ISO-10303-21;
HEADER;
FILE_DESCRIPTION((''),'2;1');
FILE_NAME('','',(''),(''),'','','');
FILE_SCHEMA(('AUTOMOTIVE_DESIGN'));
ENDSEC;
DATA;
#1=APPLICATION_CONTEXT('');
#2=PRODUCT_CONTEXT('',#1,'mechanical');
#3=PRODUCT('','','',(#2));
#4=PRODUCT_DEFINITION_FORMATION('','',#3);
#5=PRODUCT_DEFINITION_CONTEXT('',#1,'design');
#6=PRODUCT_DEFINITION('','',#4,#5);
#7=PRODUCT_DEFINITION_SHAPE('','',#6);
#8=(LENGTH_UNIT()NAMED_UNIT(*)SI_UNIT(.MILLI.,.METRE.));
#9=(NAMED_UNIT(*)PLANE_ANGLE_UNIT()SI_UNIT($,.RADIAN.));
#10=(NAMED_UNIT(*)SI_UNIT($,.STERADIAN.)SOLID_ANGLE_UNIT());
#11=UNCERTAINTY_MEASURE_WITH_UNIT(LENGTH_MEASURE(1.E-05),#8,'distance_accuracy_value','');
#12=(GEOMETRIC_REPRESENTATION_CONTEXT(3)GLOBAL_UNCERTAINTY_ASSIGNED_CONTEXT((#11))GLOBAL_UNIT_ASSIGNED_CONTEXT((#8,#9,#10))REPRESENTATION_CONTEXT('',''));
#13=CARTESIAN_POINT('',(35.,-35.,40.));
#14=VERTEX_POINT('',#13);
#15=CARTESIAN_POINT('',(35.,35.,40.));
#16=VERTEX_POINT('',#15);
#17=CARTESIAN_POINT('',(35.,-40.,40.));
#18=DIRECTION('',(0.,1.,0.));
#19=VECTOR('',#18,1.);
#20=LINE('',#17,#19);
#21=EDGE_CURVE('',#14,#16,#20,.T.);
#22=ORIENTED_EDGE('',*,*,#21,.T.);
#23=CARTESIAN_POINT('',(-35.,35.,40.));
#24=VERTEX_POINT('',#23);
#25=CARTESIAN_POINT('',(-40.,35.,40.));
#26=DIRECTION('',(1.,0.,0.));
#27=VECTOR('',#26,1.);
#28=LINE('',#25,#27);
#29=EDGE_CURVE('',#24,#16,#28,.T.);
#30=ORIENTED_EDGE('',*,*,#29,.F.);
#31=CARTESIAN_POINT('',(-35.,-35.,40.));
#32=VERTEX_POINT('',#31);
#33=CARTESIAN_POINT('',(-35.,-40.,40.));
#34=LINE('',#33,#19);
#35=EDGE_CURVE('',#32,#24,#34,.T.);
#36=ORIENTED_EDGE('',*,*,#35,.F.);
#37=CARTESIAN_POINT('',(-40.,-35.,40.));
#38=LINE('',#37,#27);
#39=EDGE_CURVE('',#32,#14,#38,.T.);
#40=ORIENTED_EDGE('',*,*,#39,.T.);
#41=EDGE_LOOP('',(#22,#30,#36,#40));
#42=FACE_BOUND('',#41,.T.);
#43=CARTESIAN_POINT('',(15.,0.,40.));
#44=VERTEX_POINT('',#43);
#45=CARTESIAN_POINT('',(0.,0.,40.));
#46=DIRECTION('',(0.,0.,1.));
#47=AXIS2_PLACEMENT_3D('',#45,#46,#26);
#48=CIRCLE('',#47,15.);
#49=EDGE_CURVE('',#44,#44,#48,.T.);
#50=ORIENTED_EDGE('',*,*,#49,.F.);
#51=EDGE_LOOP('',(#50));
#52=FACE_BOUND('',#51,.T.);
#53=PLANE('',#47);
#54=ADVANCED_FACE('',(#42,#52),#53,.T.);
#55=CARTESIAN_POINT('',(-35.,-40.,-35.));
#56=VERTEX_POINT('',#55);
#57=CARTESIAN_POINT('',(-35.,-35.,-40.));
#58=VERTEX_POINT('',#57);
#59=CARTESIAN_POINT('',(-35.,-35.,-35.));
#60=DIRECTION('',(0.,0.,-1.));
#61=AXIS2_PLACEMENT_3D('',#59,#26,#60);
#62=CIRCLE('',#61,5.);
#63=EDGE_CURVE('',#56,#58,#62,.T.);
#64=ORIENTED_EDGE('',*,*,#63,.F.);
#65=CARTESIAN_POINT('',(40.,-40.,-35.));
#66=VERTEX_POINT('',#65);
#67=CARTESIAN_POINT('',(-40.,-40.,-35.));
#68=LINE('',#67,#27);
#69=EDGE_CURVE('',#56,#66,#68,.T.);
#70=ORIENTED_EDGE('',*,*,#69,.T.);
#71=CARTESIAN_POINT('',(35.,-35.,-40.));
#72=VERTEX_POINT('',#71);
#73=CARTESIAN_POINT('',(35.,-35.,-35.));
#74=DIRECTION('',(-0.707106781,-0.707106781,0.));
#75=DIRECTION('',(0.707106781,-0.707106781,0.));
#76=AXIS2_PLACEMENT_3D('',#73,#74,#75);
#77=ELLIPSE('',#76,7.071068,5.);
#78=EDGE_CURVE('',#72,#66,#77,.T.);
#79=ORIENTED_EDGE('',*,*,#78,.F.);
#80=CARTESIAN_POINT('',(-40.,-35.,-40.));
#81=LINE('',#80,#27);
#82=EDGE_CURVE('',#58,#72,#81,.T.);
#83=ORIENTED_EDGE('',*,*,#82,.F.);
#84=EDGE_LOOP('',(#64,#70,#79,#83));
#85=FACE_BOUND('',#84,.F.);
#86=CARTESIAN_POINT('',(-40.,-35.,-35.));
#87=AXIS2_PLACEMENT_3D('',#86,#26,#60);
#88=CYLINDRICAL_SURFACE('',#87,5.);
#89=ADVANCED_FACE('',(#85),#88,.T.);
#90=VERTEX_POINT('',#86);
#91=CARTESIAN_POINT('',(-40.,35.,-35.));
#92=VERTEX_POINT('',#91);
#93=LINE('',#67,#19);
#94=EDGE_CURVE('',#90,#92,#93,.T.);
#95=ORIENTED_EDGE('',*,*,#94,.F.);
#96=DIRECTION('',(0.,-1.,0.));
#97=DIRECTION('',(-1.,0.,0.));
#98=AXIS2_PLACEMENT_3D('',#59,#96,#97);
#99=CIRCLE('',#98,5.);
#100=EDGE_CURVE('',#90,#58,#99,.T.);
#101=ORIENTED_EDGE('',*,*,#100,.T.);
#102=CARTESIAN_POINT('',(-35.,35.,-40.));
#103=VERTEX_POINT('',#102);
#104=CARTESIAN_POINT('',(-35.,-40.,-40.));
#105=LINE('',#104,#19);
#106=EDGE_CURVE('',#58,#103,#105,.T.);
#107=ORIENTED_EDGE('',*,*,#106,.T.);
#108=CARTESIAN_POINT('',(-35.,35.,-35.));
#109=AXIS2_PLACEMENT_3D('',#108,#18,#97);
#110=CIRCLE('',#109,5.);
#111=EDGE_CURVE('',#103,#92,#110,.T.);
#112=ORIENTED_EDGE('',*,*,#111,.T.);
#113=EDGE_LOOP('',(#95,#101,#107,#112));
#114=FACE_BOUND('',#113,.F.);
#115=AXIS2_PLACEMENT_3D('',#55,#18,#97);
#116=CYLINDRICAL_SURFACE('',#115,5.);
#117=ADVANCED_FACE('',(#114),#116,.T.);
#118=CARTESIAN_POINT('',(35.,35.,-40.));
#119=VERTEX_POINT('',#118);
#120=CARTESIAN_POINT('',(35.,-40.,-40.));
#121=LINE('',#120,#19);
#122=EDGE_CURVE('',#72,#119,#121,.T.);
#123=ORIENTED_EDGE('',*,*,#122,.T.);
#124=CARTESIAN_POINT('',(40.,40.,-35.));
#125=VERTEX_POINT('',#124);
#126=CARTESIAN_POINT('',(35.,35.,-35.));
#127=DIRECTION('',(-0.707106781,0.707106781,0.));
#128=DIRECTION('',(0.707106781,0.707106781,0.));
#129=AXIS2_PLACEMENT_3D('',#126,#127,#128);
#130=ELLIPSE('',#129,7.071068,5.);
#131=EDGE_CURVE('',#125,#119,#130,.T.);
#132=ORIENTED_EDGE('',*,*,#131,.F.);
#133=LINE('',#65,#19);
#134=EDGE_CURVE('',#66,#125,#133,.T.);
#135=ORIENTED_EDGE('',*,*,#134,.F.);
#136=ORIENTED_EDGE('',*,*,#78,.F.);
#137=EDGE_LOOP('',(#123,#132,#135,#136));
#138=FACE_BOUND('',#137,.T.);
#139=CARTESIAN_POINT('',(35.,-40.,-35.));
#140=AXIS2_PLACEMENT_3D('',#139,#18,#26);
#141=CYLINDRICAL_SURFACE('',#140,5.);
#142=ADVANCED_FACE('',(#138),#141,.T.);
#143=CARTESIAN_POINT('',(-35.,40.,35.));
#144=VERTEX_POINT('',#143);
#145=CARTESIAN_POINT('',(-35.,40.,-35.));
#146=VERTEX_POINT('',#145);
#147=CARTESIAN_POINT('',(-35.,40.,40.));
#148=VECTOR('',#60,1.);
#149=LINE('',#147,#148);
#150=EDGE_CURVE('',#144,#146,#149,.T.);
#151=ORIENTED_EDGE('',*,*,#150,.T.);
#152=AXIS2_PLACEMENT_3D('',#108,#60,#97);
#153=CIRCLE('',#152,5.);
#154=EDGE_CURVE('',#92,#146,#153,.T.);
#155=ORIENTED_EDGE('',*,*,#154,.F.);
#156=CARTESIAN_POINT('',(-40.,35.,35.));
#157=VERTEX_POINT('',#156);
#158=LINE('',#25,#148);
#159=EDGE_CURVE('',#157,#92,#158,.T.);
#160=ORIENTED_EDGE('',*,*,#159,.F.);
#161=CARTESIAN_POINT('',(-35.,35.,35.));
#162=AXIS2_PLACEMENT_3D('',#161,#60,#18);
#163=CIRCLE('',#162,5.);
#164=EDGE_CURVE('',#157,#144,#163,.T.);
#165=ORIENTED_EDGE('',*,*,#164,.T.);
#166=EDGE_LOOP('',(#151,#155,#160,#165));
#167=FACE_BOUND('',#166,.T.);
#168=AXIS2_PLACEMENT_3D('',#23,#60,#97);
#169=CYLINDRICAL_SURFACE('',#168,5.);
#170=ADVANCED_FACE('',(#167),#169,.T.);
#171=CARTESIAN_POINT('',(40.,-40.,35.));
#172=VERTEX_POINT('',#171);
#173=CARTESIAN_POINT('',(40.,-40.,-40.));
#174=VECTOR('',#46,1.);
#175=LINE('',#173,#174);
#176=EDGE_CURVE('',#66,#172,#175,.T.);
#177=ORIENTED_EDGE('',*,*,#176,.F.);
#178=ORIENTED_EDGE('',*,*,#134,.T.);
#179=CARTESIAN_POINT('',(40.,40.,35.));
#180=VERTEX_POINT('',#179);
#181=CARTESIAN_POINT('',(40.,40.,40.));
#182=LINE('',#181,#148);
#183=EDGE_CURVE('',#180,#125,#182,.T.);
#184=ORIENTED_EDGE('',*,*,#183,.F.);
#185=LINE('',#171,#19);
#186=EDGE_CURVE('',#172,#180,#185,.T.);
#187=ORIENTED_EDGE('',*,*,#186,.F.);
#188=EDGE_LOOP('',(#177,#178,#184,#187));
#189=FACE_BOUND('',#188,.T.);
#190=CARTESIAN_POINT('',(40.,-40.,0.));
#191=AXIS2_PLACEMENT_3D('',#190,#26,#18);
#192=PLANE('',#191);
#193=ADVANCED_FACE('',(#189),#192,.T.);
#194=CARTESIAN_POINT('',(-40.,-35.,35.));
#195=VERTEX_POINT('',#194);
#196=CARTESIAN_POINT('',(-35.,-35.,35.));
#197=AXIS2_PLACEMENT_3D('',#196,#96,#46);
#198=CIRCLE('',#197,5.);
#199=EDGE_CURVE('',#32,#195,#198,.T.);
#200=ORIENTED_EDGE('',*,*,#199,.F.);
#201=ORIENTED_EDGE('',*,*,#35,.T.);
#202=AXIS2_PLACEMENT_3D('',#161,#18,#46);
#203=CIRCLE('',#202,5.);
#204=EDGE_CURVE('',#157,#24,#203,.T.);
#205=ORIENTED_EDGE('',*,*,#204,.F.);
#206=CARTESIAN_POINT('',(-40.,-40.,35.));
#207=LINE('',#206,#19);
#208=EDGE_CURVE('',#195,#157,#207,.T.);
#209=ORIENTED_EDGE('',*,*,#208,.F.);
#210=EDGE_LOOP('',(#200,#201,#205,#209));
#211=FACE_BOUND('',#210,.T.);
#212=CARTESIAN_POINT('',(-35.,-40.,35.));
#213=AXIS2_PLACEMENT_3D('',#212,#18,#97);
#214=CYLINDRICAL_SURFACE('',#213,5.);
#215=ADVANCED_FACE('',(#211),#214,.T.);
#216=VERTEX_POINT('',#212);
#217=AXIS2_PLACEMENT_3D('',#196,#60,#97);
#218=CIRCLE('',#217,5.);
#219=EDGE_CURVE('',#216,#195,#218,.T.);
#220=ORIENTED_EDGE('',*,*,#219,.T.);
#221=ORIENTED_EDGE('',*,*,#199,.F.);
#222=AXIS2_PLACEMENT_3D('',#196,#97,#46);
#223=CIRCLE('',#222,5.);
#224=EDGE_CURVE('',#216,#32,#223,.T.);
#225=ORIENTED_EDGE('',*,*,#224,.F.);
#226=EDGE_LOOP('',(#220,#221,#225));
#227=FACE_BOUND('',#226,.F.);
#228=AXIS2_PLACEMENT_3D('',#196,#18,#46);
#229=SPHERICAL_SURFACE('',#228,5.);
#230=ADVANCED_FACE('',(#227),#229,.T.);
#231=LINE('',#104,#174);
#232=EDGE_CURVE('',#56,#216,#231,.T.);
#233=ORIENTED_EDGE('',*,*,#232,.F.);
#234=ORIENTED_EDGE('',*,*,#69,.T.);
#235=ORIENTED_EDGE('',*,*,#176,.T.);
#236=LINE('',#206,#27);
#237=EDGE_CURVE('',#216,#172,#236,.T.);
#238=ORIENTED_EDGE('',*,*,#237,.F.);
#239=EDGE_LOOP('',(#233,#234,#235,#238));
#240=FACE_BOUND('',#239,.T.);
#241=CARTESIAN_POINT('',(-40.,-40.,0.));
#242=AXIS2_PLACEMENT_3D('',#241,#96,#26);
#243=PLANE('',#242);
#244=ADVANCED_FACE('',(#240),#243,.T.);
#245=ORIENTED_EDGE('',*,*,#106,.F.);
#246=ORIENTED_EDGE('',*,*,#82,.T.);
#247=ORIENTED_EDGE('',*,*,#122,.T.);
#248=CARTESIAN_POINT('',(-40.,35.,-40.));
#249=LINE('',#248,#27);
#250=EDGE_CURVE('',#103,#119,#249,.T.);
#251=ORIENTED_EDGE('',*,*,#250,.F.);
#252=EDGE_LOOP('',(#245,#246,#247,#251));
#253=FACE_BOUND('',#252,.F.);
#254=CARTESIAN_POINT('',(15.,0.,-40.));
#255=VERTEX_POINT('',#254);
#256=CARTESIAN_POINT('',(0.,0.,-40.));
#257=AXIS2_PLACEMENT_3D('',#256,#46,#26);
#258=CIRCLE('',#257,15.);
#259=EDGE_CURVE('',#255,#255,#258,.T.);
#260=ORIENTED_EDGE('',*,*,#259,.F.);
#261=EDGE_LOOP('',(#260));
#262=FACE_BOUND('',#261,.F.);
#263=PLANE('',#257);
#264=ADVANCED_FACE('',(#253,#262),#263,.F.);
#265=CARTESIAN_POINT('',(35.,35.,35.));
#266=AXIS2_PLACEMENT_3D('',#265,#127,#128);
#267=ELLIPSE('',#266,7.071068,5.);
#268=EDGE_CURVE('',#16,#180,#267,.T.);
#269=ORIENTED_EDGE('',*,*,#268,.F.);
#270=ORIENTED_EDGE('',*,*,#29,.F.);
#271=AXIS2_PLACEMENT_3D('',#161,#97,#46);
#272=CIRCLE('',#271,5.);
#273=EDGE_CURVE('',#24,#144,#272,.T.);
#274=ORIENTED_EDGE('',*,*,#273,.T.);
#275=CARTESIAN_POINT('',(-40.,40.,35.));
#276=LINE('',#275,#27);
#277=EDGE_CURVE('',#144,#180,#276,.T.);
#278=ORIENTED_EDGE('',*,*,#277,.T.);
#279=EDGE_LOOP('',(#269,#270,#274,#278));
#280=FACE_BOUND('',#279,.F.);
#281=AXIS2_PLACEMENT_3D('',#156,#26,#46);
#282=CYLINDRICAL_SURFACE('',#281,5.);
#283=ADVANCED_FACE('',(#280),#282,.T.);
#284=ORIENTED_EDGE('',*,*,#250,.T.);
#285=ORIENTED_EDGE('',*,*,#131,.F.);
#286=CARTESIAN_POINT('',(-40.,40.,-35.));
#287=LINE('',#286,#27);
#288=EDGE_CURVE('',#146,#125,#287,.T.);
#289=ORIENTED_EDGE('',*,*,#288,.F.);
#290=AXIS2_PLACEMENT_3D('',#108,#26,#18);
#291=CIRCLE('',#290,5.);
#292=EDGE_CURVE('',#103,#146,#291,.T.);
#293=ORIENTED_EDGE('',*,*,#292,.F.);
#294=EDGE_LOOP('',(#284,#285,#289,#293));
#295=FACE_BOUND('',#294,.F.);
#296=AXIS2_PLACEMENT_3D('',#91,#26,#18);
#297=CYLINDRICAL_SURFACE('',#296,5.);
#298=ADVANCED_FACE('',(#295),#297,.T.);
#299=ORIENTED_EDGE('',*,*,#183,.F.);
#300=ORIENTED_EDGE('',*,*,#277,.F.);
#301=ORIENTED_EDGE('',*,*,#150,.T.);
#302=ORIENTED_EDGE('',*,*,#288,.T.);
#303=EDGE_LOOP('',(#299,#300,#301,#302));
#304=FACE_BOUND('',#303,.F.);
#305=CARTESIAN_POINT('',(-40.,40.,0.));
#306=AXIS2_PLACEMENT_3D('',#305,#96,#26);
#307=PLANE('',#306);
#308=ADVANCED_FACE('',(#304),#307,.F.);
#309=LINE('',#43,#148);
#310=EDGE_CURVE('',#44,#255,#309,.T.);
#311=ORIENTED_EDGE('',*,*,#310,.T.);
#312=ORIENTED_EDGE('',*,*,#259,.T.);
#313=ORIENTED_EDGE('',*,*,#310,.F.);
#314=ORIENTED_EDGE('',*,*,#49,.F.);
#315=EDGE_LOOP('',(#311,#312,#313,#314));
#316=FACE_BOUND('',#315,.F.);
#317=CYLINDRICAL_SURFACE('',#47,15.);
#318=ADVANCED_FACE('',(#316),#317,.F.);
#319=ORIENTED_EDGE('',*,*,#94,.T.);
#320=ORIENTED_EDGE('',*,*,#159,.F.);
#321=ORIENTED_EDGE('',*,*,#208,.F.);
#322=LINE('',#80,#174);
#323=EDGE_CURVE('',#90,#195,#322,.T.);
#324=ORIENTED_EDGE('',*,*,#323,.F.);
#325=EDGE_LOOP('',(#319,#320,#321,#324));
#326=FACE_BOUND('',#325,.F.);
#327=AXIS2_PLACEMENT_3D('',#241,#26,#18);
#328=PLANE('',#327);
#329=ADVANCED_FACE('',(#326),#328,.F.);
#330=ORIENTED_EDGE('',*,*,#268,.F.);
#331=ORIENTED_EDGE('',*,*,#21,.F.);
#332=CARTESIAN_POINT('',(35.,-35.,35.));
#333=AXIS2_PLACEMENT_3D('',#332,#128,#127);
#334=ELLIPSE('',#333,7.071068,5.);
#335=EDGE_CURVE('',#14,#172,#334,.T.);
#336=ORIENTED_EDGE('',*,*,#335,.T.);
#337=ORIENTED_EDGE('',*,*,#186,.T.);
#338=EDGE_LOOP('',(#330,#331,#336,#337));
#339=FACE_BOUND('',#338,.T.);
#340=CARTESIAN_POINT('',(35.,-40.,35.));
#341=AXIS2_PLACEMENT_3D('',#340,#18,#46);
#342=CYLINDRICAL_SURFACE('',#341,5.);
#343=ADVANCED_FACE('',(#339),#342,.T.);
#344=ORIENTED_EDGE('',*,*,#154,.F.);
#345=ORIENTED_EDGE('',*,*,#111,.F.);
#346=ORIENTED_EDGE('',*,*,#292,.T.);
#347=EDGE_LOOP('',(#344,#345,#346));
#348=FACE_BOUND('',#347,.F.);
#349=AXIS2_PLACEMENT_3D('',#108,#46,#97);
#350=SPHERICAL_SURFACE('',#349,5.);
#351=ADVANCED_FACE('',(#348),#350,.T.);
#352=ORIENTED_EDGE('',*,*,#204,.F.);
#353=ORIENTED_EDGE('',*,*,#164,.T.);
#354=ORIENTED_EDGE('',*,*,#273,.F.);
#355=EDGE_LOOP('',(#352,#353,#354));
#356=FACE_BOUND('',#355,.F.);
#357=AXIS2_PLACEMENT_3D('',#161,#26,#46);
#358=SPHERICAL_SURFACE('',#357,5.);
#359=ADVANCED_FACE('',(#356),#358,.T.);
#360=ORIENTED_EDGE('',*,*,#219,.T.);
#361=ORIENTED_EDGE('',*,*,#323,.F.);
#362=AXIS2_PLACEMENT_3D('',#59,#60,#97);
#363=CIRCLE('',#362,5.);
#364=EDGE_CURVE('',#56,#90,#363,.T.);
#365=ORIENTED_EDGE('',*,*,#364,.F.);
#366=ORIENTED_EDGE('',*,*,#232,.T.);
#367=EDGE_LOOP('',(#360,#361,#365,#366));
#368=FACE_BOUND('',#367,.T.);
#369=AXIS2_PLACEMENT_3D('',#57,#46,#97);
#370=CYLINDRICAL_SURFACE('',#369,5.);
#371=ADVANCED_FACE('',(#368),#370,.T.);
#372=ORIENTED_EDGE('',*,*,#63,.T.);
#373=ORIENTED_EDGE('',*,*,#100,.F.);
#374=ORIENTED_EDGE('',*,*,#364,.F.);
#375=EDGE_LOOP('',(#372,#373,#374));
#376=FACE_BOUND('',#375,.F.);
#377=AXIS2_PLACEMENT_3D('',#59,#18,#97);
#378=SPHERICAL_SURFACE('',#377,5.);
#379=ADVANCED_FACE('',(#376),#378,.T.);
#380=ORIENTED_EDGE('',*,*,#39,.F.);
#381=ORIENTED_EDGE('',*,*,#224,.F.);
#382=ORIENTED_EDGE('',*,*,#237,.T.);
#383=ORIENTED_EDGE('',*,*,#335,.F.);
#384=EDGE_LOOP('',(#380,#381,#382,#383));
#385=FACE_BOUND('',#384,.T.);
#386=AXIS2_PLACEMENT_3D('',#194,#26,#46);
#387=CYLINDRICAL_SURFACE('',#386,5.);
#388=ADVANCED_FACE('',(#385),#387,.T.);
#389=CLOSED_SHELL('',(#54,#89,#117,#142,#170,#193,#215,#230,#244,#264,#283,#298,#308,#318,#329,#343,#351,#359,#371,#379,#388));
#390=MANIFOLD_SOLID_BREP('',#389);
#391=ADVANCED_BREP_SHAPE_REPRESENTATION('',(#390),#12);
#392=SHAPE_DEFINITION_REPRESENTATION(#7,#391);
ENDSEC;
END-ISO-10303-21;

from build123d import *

# Parameters (mm, degrees)
F0_W     = 80
F0_H     = 80
F1_DEPTH = 40
F2_R     = 5
F3_R     = 15
F4_DEPTH = 80.001


with BuildPart() as f1:
    # F0 (on Top) → F1 (new body, symmetric)
    with BuildSketch(Plane.XY):
        Rectangle(F0_W, F0_H)
    extrude(amount=F1_DEPTH, both=True)

    # F2
    f2_edges = [f1.edges().sort_by_distance(p)[0] for p in [
        (40, 0, 40),
        (0, 40, 40),
        (-40, 0, 40),
        (0, -40, 40),
        (-40, 40, 0),
        (-40, 0, -40),
        (-40, -40, 0),
        (0, 40, -40),
        (0, -40, -40),
        (40, 0, -40),
    ]]
    fillet(f2_edges, radius=F2_R)

    # F3 (on face) → F4 (cut, through all)
    with BuildSketch(Plane.XY.offset(40)):
        Circle(F3_R)
    extrude(amount=-F4_DEPTH, mode=Mode.SUBTRACT)


solid = f1.part
